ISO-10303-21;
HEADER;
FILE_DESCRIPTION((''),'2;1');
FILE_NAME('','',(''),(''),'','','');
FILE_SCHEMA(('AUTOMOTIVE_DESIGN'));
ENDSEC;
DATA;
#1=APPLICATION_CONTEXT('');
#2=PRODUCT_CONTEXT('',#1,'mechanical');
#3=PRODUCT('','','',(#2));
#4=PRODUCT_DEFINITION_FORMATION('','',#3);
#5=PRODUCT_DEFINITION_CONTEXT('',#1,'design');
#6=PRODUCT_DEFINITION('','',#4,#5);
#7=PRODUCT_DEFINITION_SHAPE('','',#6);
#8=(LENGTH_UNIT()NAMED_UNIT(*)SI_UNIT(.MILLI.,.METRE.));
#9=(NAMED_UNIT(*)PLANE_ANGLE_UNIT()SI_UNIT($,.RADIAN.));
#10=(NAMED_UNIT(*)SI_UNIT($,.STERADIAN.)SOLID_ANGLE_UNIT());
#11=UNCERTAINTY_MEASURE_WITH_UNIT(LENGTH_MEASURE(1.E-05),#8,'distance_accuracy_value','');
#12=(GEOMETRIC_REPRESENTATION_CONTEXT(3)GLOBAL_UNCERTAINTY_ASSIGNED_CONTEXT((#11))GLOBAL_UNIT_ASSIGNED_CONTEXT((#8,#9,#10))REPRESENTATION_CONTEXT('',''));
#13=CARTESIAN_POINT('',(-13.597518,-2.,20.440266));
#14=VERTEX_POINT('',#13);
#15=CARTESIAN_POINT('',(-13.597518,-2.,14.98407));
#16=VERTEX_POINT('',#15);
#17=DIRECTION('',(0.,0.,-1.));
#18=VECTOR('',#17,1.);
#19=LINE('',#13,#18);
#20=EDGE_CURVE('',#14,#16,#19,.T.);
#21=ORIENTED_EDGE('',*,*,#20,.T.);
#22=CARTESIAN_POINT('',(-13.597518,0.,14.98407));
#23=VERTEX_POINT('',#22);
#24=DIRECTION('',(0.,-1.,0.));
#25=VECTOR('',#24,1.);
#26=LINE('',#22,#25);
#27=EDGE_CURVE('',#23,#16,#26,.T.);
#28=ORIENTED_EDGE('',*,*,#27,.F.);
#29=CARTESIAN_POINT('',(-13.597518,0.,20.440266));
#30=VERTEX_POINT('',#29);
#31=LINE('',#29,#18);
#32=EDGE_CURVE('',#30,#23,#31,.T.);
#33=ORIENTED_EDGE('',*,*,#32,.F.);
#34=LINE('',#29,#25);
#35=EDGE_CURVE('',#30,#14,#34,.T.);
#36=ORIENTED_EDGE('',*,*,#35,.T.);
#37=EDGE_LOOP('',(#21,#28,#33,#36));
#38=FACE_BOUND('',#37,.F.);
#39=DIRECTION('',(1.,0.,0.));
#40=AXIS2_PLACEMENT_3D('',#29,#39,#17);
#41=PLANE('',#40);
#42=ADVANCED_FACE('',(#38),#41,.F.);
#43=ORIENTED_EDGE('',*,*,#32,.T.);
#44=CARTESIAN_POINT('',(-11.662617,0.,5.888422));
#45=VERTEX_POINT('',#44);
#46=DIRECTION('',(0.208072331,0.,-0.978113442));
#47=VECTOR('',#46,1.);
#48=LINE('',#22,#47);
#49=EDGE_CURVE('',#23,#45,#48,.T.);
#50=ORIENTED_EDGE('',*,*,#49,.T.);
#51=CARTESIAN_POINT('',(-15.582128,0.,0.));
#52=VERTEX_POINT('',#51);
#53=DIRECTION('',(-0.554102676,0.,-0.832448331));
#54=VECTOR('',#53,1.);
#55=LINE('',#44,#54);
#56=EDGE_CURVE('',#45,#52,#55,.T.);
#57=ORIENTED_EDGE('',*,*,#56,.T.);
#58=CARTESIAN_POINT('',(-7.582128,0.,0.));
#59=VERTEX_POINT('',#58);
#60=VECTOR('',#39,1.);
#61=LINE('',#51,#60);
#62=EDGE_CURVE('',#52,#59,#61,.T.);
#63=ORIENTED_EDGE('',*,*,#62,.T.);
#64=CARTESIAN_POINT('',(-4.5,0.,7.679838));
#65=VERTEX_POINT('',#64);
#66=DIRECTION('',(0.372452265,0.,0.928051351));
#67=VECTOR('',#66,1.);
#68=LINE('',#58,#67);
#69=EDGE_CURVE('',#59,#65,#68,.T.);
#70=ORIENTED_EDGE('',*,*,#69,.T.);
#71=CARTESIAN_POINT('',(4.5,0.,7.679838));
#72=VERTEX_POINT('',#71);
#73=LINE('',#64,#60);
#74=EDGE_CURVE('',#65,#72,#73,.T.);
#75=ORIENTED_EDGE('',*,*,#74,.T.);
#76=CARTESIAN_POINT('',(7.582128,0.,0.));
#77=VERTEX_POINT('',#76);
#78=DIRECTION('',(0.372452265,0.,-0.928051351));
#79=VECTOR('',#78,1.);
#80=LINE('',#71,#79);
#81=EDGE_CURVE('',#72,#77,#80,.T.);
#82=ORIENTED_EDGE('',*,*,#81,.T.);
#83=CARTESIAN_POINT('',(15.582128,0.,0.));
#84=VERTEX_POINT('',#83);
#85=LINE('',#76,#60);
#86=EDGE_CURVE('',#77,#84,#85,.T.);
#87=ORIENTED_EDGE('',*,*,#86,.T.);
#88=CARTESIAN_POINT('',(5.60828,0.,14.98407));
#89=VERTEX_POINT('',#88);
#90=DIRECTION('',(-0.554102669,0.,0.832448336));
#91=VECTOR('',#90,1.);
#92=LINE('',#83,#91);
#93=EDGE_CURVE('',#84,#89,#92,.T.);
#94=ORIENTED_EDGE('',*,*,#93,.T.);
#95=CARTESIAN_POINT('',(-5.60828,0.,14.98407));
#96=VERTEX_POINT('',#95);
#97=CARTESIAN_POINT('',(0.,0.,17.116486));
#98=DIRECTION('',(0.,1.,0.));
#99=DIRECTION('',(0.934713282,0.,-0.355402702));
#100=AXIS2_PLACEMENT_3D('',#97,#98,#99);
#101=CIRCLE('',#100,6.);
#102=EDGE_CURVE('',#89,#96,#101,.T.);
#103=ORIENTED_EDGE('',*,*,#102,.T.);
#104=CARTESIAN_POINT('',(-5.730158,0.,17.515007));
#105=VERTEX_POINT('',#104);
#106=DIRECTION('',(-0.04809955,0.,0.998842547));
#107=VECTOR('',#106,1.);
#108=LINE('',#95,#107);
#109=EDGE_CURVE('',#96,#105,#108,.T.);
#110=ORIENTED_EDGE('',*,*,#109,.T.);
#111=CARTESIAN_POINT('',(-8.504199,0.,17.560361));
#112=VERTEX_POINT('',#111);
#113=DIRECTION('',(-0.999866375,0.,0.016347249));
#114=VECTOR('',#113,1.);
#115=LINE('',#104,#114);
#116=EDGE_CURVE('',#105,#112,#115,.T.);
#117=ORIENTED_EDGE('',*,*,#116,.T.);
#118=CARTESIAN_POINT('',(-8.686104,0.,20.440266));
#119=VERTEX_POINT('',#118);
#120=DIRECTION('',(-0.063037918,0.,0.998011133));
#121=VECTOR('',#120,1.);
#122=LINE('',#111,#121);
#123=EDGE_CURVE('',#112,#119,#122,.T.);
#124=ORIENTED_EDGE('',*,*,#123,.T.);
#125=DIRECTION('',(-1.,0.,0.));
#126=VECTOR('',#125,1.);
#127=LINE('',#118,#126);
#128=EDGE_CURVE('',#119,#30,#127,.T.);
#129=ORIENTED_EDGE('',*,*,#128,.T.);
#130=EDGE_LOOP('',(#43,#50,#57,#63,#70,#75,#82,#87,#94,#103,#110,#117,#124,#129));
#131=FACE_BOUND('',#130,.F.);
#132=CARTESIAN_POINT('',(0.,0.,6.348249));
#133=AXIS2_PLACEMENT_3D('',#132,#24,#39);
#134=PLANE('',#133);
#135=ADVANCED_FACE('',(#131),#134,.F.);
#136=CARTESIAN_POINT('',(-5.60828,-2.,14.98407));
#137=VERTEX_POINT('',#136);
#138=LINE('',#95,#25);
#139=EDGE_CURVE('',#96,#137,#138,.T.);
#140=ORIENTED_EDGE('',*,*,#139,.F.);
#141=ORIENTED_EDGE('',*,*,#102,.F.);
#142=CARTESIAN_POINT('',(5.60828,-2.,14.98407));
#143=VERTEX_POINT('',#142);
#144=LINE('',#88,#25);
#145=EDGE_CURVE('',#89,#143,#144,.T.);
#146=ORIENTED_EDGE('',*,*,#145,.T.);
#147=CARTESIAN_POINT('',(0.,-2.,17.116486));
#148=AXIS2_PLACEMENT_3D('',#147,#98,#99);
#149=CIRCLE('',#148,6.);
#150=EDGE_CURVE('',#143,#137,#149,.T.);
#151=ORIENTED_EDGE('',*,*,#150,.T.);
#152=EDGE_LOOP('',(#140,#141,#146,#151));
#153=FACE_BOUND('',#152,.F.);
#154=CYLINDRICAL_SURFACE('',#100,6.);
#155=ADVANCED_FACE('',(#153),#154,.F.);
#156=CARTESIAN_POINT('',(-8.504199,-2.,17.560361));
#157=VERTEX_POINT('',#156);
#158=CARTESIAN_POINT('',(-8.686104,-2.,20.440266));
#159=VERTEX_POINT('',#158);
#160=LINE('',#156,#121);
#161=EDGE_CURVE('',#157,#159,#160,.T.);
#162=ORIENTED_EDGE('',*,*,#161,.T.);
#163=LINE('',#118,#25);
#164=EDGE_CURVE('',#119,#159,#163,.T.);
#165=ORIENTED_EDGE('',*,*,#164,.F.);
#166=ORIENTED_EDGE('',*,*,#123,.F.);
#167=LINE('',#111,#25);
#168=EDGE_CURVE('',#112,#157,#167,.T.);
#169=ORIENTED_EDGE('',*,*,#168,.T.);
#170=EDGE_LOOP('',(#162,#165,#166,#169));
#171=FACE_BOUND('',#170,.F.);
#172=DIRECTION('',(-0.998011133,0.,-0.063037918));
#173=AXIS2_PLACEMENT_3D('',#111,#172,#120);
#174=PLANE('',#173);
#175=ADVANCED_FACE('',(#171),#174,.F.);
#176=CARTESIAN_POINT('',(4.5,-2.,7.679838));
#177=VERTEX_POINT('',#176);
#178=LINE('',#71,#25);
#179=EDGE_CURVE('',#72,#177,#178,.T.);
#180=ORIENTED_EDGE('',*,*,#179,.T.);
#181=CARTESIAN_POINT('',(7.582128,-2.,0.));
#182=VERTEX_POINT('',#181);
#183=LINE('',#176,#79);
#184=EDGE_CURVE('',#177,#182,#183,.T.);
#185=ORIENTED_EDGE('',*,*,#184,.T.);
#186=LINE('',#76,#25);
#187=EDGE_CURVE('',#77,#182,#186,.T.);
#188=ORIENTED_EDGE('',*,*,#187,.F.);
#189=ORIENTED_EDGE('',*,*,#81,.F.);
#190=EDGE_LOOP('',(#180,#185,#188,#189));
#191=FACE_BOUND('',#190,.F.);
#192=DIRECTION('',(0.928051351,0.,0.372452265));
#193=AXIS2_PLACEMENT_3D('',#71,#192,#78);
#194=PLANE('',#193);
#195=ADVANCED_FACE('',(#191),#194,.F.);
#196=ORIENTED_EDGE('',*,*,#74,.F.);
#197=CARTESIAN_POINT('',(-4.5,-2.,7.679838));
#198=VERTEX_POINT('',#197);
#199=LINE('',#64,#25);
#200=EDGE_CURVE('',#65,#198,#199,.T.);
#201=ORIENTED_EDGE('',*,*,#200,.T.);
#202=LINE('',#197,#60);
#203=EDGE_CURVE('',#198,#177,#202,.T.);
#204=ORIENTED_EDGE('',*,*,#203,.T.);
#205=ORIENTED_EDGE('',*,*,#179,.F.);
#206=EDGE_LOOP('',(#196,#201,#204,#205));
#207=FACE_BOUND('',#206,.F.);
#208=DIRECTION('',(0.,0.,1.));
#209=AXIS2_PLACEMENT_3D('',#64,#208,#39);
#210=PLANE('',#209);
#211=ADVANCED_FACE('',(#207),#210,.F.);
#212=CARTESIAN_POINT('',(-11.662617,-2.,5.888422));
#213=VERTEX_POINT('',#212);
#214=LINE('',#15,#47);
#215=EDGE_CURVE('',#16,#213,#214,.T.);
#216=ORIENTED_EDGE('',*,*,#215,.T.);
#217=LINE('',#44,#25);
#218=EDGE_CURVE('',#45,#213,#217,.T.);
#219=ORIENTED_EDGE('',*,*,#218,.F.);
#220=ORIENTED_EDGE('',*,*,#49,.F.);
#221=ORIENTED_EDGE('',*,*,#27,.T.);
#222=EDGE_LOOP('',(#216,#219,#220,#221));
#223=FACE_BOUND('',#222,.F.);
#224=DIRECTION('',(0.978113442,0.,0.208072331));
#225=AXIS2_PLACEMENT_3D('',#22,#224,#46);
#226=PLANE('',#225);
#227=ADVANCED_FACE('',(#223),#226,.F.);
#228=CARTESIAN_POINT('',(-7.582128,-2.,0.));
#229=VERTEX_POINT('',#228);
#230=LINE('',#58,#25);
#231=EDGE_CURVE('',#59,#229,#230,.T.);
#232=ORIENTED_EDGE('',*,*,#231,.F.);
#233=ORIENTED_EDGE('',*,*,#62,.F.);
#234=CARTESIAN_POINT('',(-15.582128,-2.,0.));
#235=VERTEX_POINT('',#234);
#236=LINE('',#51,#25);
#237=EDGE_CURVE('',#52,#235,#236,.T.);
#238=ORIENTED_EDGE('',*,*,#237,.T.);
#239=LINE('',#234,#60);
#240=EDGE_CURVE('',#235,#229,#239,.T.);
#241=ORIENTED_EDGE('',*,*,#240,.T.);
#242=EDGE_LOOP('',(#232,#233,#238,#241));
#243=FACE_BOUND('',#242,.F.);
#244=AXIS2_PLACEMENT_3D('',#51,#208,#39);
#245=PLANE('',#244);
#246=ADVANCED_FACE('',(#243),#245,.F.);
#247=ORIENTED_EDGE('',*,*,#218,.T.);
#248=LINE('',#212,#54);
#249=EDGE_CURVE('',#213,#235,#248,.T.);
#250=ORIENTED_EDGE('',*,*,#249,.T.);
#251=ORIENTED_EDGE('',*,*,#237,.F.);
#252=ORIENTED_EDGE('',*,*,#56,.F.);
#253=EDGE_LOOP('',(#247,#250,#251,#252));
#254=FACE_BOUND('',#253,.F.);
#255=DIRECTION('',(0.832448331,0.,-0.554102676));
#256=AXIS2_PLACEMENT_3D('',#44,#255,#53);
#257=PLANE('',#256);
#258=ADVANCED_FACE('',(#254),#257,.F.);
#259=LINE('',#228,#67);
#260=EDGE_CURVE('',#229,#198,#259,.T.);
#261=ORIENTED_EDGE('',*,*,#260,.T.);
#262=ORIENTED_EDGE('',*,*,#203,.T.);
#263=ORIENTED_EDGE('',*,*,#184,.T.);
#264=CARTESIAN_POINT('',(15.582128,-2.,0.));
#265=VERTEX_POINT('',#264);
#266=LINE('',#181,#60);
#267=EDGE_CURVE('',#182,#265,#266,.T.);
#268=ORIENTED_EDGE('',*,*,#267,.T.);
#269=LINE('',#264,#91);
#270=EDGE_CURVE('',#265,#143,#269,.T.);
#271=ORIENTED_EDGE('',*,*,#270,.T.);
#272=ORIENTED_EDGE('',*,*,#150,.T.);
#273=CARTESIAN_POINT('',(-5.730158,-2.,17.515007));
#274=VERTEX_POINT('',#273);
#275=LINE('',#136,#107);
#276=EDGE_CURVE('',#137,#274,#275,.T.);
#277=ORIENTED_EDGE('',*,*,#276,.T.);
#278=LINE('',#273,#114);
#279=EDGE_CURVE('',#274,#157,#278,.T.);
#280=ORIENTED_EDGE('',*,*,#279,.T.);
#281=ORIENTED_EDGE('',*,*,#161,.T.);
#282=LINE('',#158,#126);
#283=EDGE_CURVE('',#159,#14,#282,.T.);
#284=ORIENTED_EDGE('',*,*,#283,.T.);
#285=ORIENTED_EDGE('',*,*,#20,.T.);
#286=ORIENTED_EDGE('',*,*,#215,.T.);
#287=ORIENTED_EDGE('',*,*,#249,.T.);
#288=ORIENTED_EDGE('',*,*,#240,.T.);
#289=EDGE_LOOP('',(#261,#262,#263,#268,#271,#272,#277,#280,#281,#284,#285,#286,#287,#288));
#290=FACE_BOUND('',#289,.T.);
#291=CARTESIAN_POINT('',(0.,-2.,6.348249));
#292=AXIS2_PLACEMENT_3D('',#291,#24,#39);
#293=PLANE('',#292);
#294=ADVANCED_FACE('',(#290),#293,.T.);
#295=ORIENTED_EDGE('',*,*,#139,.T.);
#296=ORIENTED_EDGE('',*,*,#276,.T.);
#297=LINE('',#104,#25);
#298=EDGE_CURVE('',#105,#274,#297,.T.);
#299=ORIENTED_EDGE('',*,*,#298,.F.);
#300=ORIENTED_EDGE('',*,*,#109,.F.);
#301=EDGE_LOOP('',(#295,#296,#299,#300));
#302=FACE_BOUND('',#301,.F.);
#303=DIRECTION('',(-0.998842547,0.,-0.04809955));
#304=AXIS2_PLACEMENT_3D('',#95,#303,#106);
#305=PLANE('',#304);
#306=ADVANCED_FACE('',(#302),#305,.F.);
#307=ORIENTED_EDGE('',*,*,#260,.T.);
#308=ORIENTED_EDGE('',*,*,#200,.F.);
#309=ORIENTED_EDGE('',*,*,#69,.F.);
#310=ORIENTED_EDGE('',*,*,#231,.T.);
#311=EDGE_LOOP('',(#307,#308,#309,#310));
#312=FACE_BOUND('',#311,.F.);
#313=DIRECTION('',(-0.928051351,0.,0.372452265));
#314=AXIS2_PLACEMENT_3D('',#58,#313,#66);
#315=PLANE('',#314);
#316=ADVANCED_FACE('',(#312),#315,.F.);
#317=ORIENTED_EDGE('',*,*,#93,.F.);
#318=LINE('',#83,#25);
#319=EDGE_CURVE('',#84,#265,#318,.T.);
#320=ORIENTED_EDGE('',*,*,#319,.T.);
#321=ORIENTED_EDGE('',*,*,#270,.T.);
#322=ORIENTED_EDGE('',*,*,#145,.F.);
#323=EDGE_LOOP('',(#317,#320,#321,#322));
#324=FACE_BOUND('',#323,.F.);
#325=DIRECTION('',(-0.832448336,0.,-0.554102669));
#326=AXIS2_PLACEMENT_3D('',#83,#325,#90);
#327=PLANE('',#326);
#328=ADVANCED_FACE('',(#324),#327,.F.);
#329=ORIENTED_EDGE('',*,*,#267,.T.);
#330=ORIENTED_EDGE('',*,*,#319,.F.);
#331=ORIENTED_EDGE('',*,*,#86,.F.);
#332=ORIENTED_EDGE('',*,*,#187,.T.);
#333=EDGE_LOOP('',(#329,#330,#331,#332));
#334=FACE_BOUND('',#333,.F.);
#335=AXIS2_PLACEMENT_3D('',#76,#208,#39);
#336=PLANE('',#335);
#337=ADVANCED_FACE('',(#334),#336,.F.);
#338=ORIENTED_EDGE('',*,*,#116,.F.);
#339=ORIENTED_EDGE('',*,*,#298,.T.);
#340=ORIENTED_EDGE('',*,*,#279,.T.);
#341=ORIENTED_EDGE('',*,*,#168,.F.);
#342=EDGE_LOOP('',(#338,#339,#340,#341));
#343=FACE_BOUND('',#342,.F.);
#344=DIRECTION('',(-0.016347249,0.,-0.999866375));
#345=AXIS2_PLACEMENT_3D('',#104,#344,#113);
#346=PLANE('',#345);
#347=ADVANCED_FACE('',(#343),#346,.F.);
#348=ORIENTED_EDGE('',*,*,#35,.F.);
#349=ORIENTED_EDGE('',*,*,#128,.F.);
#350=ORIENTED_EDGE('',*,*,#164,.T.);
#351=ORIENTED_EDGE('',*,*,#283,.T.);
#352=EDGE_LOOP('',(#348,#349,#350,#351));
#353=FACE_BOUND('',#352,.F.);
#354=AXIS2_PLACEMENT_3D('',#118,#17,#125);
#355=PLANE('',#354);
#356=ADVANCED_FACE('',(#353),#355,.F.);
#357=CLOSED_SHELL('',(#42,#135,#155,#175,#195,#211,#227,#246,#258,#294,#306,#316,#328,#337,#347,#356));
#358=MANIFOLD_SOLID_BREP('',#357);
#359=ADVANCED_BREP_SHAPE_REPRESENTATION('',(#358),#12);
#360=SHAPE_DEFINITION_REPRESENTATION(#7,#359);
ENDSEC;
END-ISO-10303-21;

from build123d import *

# Parameters (mm, degrees)
F1_DEPTH = 2


with BuildPart() as f1:
    # F0 (on Front) → F1 (new body)
    with BuildSketch(Plane.XZ):
        with BuildLine():
            Line((7.582128, 0), (15.582128, 0))
            Line((15.582128, 0), (5.60828, 14.98407))
            ThreePointArc((5.60828, 14.98407), (0, 11.116486), (-5.60828, 14.98407))
            Line((-5.60828, 14.98407), (-11.662617, 5.888422))
            Line((-11.662617, 5.888422), (-15.582128, 0))
            Line((-15.582128, 0), (-7.582128, 0))
            Line((-7.582128, 0), (-4.5, 7.679838))
            Line((-4.5, 7.679838), (4.5, 7.679838))
            Line((4.5, 7.679838), (7.582128, 0))
        make_face()
        Polygon((-11.662617, 5.888422), (-5.60828, 14.98407), (-5.730158, 17.515007), (-8.504199, 17.560361), (-8.686104, 20.440266), (-13.597518, 20.440266), (-13.597518, 14.98407), align=None)
    extrude(amount=F1_DEPTH)


solid = f1.part
